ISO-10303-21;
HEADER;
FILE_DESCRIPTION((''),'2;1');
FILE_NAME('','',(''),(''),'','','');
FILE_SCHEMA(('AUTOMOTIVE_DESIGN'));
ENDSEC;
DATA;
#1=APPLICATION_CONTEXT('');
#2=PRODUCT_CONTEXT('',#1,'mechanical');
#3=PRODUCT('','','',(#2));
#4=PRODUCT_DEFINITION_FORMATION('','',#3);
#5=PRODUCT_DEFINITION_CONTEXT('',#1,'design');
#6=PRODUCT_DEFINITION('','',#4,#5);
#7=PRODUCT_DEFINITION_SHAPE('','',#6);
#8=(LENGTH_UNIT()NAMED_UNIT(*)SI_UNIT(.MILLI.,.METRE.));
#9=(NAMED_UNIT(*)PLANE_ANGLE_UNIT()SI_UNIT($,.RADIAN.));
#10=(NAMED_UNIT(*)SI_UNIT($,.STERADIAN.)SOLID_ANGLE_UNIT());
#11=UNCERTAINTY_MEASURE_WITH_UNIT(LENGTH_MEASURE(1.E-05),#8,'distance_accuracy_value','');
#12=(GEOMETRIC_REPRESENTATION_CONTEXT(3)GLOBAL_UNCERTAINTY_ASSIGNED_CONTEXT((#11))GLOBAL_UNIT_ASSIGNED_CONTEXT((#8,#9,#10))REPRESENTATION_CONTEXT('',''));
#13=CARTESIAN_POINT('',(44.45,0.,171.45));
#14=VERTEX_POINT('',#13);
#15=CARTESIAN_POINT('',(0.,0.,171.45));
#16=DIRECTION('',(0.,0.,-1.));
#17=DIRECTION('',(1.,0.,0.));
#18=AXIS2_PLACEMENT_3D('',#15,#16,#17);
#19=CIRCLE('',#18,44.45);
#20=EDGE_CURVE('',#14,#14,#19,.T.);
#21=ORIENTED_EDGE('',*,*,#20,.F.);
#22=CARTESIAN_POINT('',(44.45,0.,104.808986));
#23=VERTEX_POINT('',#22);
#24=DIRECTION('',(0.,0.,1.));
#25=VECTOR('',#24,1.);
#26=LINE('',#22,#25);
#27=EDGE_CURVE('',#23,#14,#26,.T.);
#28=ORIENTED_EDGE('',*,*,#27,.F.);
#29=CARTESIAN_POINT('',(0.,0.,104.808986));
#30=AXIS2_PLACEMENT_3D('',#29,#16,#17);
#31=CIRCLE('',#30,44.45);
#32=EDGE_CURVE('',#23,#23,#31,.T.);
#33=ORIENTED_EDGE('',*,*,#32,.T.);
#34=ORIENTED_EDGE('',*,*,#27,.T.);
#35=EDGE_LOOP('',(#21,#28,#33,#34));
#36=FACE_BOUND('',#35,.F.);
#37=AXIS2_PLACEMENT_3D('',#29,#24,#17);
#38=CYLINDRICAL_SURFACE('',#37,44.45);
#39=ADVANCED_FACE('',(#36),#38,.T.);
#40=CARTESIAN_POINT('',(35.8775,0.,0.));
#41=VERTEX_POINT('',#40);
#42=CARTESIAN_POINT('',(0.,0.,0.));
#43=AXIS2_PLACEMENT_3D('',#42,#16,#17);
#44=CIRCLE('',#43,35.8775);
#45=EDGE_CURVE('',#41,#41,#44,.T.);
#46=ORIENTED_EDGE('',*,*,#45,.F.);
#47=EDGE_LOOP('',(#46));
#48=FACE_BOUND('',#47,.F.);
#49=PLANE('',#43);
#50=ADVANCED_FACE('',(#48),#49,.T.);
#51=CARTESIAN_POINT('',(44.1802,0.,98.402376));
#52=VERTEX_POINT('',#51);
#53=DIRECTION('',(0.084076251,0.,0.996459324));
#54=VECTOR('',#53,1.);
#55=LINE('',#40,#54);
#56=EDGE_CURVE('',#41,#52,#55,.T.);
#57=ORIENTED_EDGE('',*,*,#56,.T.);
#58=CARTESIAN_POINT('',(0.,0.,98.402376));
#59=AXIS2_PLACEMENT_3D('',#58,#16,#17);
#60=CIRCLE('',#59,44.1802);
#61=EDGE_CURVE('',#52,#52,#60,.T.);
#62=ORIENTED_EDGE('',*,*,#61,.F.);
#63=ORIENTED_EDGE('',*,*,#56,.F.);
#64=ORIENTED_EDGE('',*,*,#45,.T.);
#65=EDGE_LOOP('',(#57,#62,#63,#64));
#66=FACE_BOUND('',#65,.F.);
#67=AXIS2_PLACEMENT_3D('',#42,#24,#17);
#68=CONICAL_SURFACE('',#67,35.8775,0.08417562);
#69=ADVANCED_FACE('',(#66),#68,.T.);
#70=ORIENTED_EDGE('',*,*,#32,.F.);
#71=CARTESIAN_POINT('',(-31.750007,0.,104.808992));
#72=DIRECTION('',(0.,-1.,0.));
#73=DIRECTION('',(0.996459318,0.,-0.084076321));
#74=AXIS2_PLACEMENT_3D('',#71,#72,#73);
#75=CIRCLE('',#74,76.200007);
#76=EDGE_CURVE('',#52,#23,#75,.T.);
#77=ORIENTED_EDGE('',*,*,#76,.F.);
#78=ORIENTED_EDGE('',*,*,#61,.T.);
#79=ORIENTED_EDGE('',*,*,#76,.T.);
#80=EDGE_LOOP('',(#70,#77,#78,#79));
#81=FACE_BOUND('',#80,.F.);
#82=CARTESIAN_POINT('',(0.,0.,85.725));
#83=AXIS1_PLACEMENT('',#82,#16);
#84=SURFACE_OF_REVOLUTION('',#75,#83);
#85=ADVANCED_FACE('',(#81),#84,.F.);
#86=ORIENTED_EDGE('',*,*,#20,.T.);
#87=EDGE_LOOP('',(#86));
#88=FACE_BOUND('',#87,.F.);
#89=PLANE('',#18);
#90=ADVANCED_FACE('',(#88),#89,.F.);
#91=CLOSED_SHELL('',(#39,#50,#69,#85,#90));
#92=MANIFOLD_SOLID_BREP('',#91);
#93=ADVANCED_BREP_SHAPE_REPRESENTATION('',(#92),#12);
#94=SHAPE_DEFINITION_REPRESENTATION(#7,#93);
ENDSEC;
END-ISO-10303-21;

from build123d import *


with BuildPart() as f1:
    # F0 (on Front) → F1 (revolve)
    with BuildSketch(Plane.XZ):
        with BuildLine():
            Line((0, 171.45), (0, 0))
            Line((0, 0), (35.8775, 0))
            Line((35.8775, 0), (44.1802, 98.402376))
            ThreePointArc((44.1802, 98.402376), (44.38252, 101.602842), (44.45, 104.808986))
            Line((44.45, 104.808986), (44.45, 171.45))
            Line((44.45, 171.45), (0, 171.45))
        make_face()
    revolve(axis=Axis((0, 0, 85.725), (0, 0, -1)))


solid = f1.part
